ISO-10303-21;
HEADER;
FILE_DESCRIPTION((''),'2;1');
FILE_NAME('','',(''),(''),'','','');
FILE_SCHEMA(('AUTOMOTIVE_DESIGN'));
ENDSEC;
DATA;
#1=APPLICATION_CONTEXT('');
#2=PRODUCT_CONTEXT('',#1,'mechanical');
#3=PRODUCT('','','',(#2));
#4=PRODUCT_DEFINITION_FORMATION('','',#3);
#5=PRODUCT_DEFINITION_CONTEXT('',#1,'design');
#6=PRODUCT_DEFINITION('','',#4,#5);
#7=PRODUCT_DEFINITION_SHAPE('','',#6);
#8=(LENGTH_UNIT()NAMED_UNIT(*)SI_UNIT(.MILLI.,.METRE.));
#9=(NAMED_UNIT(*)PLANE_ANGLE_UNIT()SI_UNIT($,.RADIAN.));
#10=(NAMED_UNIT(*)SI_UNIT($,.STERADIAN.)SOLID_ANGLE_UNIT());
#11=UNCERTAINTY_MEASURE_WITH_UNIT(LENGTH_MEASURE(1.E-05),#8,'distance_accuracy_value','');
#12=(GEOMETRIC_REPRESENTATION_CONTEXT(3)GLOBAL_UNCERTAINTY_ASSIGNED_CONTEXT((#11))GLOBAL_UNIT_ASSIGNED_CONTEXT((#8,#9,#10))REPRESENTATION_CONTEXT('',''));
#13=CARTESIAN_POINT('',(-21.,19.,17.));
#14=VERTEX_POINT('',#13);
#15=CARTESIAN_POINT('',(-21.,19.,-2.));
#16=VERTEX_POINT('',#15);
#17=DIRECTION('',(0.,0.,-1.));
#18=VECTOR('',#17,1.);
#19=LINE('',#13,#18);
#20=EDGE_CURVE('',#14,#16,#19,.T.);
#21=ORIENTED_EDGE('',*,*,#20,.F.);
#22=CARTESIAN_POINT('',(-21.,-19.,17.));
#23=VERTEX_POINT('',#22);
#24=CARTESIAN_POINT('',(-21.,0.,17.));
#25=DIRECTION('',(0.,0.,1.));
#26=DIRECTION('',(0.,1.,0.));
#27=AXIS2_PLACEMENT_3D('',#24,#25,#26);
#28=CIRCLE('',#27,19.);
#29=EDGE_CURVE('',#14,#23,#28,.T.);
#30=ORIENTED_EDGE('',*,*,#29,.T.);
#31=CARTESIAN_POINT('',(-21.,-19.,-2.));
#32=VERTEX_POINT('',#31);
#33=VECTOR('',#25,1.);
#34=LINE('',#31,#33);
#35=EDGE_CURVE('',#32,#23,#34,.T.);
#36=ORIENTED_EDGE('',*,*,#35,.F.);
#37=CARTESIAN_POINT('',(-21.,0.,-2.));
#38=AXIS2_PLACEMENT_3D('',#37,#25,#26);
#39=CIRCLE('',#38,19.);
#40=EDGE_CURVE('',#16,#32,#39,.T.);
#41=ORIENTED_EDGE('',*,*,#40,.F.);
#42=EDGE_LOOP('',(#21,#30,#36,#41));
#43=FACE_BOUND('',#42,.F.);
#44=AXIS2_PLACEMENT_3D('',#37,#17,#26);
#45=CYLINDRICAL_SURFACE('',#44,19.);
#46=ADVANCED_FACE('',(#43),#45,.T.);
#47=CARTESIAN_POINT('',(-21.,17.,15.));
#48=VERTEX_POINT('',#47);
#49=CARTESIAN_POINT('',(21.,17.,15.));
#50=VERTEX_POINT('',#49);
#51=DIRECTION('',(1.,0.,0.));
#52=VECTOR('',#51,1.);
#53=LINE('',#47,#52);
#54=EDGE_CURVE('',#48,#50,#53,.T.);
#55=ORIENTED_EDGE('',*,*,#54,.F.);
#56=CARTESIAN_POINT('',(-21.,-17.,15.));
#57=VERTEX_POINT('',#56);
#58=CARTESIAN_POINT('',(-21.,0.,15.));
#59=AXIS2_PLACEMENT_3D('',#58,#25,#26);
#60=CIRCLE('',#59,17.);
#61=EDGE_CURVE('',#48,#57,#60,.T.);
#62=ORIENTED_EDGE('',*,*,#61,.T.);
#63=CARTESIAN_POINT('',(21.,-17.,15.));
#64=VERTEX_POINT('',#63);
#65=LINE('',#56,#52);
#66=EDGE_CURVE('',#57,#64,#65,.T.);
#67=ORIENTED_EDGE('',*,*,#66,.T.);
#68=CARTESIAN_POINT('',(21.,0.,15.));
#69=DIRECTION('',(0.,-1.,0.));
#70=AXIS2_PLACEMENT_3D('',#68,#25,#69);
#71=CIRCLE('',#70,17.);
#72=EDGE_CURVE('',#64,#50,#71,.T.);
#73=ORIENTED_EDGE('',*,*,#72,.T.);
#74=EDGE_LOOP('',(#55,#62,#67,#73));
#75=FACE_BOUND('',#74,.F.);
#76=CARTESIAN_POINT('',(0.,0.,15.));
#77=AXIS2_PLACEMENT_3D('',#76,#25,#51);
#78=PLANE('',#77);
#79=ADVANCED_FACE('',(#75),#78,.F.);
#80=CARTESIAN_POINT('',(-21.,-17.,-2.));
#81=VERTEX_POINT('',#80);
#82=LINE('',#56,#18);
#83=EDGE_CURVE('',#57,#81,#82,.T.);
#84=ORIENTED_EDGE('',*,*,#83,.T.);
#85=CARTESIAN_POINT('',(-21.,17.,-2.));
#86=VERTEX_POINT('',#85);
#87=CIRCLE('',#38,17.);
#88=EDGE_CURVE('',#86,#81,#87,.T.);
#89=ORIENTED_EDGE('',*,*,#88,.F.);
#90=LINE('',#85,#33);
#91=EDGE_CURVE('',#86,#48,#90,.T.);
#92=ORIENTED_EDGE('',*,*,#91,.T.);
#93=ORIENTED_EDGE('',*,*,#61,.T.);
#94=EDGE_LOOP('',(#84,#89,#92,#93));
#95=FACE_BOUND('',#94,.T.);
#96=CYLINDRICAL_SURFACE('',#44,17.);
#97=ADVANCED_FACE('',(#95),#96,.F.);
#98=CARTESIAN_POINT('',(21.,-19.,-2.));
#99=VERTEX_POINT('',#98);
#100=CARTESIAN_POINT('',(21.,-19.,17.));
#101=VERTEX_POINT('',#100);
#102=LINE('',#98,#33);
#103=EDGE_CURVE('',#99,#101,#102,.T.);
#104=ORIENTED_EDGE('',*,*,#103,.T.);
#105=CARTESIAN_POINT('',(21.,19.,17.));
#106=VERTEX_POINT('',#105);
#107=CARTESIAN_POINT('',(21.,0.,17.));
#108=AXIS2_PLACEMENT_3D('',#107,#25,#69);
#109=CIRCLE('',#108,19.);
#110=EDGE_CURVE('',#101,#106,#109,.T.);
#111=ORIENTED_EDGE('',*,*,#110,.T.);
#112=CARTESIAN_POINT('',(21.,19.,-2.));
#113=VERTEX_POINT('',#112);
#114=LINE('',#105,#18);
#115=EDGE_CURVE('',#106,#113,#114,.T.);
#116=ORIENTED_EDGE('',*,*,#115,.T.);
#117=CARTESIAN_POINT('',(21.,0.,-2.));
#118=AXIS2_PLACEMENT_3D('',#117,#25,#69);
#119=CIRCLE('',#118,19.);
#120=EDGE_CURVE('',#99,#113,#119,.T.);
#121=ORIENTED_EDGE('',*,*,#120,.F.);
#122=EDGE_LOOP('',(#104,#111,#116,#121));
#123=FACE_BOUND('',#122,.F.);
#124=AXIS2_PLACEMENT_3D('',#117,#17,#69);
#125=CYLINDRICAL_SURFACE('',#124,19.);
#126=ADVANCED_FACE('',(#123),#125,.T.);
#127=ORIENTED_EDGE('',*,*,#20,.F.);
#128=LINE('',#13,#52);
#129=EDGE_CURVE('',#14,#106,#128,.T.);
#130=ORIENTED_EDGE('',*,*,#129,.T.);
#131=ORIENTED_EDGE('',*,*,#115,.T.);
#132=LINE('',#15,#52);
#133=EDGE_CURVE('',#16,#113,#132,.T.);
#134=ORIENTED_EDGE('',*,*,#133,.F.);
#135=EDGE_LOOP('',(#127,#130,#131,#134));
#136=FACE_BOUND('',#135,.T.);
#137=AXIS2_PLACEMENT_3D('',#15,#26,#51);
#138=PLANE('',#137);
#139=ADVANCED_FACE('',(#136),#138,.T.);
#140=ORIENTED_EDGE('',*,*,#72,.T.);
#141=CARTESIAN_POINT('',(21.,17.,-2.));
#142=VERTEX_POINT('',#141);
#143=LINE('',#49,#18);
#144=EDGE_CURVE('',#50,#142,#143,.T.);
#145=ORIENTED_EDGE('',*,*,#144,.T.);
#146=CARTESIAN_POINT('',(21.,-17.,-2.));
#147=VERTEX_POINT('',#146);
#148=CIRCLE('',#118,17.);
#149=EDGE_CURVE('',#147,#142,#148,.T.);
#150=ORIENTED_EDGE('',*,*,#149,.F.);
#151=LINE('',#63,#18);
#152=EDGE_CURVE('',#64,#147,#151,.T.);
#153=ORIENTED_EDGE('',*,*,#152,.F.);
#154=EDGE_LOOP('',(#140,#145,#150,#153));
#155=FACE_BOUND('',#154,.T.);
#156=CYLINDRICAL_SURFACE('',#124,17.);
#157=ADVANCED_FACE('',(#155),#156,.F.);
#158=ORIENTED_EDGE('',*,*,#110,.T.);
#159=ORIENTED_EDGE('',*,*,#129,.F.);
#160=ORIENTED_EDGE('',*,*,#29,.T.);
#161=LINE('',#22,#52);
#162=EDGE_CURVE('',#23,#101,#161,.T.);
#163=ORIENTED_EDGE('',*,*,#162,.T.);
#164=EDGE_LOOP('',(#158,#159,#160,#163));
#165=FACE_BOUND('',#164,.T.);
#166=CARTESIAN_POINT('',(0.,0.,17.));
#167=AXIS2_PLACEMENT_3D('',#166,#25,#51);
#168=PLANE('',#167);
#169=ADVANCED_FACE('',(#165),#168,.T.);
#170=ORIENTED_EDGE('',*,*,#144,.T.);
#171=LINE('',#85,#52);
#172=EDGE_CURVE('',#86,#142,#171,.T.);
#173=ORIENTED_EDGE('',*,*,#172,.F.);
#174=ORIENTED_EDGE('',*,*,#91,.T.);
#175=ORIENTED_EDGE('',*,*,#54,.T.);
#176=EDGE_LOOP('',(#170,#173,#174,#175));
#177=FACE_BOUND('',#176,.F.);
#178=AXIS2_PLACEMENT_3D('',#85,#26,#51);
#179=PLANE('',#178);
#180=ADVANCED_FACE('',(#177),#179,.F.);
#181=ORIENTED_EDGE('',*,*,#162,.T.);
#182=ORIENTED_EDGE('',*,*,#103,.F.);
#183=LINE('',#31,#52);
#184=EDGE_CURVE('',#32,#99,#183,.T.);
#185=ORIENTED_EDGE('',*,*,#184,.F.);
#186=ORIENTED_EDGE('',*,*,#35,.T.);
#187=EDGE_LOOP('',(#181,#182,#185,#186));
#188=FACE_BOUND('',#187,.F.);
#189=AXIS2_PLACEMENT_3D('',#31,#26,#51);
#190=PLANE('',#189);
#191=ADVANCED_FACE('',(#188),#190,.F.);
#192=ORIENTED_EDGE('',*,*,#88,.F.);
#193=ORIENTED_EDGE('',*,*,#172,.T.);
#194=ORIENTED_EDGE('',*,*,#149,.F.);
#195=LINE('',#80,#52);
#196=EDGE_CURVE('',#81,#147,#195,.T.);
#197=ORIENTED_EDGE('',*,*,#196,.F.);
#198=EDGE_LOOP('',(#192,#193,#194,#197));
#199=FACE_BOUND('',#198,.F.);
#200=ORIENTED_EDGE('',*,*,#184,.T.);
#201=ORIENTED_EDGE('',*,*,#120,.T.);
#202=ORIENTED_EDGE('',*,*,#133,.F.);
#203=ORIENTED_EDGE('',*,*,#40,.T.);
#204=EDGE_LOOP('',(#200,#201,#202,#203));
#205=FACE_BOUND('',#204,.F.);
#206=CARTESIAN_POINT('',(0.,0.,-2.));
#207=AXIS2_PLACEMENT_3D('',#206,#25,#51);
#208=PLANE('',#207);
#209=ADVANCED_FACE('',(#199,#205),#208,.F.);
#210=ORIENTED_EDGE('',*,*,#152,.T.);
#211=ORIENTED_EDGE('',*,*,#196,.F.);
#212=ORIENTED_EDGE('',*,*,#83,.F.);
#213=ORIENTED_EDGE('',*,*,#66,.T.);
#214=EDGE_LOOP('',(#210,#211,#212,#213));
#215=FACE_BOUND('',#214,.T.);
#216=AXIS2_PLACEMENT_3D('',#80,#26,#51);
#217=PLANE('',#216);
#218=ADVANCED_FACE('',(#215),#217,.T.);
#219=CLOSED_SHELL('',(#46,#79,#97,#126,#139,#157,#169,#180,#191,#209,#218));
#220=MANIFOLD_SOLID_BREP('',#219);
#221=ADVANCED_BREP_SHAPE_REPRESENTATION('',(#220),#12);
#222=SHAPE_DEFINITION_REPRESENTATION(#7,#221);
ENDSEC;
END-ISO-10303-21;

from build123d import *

# Parameters (mm, degrees)
PAD004_DEPTH = 2
PAD_DEPTH    = 15
PAD001_DEPTH = 4


with BuildPart() as topinside:
    # Sketch004 → Pad004 (new body)
    with BuildSketch(Plane.XY.offset(13)):
        with BuildLine():
            ThreePointArc((-21, 17), (-38, 0), (-21, -17))
            Line((-21, -17), (21, -17))
            ThreePointArc((21, -17), (38, 0), (21, 17))
            Line((-21, 17), (21, 17))
        make_face()
    extrude(amount=PAD004_DEPTH)


with BuildPart() as sides:
    # Sketch → Pad (new body)
    with BuildSketch(Plane.XY):
        with BuildLine():
            ThreePointArc((-21, 19), (-40, 0), (-21, -19))
            Line((-21, -19), (21, -19))
            ThreePointArc((21, -19), (40, 0), (21, 19))
            Line((-21, 19), (21, 19))
        make_face()
        with BuildLine():
            ThreePointArc((-21, 17), (-38, 0), (-21, -17))
            Line((-21, -17), (21, -17))
            ThreePointArc((21, -17), (38, 0), (21, 17))
            Line((-21, 17), (21, 17))
        make_face(mode=Mode.SUBTRACT)
    extrude(amount=PAD_DEPTH)


with BuildPart() as sides_1:
    # Body placement: moved
    add(sides.part.moved(Location((0, 0, -2))))


with BuildPart() as top:
    # Sketch001 → Pad001 (new body)
    with BuildSketch(Plane.XY.offset(13)):
        with BuildLine():
            ThreePointArc((-21, 19), (-40, 0), (-21, -19))
            Line((-21, -19), (21, -19))
            ThreePointArc((21, -19), (40, 0), (21, 19))
            Line((-21, 19), (21, 19))
        make_face()
    extrude(amount=PAD001_DEPTH)

    # Boolean: cut TopInside
    add(topinside.part, mode=Mode.SUBTRACT)

    # Boolean002: union Sides
    add(sides_1.part)


solid = top.part
